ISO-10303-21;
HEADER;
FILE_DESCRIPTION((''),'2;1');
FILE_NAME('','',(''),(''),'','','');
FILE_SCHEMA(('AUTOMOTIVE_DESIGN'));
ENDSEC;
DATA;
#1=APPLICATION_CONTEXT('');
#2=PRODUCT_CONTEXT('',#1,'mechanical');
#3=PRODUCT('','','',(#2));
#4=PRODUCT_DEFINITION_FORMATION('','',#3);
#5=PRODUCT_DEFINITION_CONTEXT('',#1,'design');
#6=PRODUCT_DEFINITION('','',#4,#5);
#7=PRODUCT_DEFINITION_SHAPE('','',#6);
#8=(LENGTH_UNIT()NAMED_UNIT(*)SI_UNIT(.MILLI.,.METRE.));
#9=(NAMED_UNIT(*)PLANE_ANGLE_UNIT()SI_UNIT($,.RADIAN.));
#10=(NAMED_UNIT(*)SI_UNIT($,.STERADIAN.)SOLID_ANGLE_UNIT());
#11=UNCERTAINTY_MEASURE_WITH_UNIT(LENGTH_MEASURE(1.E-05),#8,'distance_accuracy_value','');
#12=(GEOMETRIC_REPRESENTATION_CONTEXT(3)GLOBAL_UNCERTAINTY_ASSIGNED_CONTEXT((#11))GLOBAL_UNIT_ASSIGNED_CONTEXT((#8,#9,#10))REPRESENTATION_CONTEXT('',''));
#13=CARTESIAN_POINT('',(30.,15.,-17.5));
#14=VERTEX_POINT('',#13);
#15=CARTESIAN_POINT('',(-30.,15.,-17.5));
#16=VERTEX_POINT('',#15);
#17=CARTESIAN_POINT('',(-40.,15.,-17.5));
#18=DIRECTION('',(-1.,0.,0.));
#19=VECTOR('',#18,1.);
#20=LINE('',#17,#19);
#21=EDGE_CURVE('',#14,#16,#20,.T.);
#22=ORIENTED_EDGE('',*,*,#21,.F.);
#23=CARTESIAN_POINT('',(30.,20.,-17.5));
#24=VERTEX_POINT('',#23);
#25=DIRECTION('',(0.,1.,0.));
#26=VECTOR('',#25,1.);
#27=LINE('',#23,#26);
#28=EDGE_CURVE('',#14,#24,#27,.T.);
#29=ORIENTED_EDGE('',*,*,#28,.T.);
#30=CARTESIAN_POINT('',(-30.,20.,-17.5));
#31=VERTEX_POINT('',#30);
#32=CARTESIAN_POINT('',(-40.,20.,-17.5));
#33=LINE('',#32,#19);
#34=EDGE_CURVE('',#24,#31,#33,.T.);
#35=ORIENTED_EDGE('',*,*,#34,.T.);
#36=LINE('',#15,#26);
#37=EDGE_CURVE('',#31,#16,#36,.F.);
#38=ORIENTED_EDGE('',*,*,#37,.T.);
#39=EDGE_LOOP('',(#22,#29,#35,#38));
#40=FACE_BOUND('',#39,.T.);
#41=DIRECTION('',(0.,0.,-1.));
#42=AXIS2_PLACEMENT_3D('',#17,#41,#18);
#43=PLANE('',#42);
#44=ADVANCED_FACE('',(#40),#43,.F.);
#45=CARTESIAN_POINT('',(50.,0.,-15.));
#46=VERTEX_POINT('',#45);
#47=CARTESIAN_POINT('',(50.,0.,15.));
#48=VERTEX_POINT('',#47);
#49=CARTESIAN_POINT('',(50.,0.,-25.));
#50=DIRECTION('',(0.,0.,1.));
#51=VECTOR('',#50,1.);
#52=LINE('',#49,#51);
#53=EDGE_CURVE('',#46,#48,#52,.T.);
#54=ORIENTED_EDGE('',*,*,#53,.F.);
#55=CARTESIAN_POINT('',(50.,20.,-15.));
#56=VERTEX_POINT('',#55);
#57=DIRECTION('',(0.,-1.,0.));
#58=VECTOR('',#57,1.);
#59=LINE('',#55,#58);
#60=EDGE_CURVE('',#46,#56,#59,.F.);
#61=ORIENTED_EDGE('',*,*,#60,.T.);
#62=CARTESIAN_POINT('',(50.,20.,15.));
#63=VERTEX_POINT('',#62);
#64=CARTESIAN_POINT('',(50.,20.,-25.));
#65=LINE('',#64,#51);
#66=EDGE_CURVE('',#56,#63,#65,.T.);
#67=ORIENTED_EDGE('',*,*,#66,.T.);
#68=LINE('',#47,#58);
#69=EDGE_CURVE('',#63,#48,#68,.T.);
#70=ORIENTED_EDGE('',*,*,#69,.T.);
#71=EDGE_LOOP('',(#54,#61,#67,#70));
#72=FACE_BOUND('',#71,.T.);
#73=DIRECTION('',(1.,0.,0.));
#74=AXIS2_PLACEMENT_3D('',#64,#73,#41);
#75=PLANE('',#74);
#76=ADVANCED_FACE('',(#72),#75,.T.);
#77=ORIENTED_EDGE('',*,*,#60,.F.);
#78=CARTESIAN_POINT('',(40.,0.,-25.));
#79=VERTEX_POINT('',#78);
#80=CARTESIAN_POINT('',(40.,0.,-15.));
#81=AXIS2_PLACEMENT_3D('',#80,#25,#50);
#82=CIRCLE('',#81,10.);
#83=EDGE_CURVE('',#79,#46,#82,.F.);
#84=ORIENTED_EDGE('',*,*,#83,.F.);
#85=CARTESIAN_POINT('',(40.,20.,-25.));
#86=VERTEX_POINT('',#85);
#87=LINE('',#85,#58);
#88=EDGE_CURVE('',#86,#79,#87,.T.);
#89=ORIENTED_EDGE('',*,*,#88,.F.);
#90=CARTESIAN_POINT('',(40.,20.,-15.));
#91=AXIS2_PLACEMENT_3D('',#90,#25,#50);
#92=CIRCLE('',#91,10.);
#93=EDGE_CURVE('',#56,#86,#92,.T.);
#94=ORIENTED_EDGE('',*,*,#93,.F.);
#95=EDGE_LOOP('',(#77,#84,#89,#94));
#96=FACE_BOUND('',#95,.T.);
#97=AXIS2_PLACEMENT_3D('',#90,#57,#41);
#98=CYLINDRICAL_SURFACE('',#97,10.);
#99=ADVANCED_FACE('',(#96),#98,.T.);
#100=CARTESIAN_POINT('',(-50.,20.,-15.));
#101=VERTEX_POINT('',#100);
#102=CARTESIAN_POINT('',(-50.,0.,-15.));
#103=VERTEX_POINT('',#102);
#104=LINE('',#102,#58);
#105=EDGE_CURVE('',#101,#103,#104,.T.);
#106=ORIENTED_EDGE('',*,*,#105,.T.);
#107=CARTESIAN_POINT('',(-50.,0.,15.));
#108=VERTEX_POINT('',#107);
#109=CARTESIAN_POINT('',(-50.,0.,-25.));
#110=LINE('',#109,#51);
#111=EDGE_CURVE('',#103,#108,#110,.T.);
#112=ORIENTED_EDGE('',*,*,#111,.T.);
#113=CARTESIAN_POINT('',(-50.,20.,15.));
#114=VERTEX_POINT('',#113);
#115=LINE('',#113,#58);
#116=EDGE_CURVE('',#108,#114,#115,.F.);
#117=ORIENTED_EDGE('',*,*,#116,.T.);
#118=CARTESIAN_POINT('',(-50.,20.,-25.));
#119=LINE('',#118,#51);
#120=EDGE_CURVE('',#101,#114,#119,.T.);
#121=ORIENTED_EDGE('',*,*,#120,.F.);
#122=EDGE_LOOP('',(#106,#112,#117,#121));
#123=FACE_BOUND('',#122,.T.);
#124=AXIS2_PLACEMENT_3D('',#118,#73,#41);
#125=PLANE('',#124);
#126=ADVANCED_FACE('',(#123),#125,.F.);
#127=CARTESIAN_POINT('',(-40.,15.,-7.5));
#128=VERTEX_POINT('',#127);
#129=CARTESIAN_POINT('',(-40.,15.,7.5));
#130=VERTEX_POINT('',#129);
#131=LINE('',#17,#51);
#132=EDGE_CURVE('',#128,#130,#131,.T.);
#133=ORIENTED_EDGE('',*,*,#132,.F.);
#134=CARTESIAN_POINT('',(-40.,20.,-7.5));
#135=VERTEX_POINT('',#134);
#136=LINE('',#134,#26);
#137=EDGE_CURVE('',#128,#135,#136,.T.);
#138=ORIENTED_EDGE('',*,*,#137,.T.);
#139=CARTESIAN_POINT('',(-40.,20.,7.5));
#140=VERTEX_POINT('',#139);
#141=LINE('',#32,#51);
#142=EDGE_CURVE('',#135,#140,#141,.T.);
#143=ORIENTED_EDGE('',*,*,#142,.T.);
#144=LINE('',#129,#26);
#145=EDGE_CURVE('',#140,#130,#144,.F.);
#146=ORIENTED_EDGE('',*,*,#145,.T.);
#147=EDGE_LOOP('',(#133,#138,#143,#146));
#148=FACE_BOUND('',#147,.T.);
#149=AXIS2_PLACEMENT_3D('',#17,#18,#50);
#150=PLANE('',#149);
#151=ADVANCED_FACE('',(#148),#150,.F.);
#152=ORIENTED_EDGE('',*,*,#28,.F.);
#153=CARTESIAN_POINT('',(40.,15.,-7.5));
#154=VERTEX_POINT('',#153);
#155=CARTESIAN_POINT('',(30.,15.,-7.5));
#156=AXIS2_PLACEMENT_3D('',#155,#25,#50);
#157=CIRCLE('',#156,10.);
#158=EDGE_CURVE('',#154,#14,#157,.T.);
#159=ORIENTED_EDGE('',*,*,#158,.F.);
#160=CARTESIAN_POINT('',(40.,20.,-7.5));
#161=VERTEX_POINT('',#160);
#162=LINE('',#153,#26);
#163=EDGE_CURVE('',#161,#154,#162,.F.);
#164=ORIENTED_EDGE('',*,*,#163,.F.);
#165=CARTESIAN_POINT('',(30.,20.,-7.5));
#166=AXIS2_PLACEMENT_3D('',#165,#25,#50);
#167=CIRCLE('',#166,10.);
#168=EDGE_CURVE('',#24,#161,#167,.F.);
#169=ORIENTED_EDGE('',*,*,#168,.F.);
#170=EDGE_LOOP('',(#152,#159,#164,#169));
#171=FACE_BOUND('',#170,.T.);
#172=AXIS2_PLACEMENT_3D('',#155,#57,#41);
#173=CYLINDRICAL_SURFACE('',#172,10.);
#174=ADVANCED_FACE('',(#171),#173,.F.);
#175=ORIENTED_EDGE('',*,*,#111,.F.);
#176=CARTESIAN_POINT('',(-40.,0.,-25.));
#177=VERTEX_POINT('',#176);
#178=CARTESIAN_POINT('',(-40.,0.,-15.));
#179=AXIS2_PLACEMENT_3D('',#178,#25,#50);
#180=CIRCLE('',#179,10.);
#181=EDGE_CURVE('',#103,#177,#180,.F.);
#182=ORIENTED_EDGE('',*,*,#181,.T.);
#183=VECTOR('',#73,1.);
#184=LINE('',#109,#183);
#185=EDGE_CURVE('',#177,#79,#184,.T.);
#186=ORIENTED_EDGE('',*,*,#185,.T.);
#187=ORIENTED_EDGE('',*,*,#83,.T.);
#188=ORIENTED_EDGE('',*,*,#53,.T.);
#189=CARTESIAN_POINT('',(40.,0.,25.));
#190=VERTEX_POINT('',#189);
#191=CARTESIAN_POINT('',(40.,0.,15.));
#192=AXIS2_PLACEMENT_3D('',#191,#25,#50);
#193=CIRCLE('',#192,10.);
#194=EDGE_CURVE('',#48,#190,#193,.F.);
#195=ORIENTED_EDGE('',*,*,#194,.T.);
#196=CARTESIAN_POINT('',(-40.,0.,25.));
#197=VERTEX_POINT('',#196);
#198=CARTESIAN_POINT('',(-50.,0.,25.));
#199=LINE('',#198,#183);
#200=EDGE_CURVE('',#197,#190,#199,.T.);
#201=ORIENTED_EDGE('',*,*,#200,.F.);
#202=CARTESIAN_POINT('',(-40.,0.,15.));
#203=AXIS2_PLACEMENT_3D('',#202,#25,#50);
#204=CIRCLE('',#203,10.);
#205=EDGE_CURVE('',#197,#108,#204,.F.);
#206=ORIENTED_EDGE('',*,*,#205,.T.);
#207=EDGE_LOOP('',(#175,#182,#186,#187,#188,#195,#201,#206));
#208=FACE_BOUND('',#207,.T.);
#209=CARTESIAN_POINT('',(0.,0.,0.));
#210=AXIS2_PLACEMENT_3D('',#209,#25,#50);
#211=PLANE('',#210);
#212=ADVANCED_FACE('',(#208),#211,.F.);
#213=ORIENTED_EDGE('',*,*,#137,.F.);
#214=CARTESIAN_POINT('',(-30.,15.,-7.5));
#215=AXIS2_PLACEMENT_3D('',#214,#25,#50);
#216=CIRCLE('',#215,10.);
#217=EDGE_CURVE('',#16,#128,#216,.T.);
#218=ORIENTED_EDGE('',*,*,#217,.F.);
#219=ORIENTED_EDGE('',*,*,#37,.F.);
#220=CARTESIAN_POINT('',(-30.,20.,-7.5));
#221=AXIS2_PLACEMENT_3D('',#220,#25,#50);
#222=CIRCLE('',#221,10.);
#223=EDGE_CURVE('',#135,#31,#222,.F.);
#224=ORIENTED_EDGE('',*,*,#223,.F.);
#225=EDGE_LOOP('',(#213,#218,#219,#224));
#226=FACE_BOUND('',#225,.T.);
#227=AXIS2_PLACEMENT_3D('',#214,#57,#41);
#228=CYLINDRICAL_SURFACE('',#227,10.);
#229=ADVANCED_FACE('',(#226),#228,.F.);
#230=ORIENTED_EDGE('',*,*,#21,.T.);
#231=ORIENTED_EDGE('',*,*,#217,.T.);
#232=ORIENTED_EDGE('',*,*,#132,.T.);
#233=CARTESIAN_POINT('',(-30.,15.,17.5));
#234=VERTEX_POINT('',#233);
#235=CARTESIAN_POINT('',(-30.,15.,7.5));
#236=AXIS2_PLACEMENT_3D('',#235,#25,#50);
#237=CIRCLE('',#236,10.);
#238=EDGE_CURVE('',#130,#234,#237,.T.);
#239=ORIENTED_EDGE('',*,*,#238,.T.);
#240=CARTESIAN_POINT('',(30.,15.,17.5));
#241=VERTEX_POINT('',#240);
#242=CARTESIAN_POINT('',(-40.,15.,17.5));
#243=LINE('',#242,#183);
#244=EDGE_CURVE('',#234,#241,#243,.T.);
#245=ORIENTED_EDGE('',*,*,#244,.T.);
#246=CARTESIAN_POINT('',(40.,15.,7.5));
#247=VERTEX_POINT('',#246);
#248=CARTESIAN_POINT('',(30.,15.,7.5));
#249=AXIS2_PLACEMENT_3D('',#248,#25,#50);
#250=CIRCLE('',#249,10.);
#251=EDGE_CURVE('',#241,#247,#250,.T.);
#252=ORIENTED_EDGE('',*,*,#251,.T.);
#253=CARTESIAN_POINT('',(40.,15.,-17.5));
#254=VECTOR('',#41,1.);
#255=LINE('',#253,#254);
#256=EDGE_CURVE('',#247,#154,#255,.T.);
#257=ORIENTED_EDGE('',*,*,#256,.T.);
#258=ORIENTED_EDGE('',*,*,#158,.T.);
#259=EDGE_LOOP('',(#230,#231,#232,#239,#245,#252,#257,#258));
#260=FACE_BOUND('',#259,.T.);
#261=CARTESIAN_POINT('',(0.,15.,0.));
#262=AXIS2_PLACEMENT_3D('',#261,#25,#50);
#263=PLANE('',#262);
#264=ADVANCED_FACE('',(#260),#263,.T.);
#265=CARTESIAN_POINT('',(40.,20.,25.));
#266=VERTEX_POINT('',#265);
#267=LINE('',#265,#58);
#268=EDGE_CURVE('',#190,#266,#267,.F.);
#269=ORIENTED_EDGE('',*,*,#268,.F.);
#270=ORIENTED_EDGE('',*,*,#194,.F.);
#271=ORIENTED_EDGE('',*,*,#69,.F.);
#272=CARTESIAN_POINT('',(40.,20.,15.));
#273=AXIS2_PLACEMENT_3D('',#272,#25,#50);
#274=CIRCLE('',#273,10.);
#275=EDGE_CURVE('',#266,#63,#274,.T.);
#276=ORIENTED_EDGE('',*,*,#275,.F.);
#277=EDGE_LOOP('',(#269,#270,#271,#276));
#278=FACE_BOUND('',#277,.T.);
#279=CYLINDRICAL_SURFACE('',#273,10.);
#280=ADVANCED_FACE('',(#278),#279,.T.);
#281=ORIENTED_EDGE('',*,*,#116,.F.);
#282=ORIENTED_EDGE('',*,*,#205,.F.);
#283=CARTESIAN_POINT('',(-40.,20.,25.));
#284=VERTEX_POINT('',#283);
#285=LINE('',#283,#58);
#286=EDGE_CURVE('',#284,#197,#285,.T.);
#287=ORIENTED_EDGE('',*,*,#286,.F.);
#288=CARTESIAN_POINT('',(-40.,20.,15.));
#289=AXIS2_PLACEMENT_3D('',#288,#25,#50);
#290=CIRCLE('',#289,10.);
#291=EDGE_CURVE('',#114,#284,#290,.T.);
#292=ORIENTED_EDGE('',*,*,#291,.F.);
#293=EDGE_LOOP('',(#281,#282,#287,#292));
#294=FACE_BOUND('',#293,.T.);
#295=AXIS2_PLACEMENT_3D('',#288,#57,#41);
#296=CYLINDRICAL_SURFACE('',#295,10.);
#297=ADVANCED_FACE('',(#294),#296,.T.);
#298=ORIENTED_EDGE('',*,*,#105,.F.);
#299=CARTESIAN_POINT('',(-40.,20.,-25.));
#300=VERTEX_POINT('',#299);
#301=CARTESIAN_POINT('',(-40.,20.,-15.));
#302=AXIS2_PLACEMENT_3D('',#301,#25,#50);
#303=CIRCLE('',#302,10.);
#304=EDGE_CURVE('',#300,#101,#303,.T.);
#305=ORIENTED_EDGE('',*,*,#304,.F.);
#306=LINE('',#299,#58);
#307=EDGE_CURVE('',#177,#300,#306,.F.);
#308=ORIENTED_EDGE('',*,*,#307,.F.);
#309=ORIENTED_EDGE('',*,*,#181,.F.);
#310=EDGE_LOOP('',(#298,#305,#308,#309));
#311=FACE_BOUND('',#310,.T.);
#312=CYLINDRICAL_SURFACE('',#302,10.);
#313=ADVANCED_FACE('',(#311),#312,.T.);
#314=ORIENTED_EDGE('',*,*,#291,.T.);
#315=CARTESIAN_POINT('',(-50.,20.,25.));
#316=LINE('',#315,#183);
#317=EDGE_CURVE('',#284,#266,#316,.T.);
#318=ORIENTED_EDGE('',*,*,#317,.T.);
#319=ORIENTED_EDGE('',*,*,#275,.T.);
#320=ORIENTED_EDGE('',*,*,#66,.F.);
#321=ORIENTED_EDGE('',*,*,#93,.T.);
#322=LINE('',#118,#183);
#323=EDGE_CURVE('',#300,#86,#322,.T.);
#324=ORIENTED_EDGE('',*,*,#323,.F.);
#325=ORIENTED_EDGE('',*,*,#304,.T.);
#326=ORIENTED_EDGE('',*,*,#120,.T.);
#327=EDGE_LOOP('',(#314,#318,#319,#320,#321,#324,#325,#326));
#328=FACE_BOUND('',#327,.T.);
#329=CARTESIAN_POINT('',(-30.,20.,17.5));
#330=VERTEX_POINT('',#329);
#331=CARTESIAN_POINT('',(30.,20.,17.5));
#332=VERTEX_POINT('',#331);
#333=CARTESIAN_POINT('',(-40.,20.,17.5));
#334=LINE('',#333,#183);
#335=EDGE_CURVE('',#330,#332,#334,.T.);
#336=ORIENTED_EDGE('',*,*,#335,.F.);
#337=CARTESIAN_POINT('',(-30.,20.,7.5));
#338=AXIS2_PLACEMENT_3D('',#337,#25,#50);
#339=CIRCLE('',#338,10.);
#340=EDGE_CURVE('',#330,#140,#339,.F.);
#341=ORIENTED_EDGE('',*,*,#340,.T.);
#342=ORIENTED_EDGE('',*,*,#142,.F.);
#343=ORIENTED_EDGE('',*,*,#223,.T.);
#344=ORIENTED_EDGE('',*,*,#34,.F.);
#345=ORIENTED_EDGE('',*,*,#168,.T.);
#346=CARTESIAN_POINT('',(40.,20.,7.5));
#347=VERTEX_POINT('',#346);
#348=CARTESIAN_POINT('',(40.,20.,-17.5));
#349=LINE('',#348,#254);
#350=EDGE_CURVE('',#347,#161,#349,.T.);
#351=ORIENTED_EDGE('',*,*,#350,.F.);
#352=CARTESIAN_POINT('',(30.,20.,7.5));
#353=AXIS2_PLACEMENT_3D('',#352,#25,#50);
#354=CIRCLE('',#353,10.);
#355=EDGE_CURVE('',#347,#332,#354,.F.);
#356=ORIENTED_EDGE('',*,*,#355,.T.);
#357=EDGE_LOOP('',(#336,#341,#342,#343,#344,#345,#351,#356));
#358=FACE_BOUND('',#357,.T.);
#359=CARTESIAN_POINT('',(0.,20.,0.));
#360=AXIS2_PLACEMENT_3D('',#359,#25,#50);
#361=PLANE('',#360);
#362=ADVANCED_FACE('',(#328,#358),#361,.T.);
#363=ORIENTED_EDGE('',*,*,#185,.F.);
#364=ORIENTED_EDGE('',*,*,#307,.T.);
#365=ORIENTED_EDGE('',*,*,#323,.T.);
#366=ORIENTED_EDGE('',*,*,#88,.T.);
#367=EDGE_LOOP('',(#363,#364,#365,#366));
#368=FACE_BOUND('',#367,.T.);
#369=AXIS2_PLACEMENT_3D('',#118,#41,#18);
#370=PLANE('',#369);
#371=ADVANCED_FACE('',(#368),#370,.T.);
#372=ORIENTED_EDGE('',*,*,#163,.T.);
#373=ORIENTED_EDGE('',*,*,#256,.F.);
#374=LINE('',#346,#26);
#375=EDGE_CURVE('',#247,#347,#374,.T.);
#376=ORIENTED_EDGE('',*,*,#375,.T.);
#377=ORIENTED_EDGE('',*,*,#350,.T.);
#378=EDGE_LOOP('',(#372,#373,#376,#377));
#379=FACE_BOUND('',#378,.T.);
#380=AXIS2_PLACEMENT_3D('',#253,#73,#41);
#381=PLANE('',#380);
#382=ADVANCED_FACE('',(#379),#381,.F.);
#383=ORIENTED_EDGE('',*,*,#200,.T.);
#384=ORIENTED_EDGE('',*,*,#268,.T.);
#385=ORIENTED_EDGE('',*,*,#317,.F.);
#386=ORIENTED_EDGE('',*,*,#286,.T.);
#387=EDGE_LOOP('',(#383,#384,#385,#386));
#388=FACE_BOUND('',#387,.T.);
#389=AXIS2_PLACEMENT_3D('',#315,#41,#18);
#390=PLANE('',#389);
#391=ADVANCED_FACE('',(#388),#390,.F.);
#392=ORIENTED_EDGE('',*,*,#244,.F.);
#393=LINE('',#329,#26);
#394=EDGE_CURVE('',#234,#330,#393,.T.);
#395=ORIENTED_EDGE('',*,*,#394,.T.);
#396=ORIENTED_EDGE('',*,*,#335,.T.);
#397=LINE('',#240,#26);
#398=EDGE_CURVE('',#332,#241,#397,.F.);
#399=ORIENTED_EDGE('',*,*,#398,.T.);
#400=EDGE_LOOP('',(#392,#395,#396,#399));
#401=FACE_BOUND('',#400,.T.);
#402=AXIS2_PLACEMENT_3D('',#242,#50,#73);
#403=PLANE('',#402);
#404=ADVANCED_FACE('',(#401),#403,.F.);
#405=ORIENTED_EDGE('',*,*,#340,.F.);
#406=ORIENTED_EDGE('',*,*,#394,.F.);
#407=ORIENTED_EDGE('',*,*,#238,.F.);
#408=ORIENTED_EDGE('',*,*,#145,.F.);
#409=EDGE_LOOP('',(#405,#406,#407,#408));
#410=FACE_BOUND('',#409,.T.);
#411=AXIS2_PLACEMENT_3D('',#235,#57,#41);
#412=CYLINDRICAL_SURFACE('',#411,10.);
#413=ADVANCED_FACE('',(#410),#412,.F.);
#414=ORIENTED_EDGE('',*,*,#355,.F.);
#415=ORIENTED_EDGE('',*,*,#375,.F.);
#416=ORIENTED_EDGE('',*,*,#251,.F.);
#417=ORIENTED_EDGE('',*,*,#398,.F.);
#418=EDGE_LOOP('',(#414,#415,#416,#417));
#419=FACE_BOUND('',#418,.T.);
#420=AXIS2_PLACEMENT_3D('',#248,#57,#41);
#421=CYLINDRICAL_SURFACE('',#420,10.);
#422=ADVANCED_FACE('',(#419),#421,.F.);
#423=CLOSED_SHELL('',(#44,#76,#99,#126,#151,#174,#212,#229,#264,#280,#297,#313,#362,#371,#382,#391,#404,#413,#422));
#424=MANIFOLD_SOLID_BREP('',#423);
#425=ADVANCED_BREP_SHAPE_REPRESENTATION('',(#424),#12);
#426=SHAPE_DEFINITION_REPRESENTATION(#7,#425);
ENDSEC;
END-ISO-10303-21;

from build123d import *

# Parameters (mm, degrees)
SKETCH1_W           = 100
SKETCH1_H           = 50
BOSS_EXTRUDE1_DEPTH = 20
SKETCH2_W           = 80
SKETCH2_H           = 35
CUT_EXTRUDE1_DEPTH  = 5
FILLET1_R           = 10
FILLET2_R           = 10


with BuildPart() as part:
    # Sketch1 → Boss-Extrude1 (new body)
    with BuildSketch(Plane(origin=(0, 0, 0), x_dir=(1, 0, 0), z_dir=(0, 1, 0))):
        Rectangle(SKETCH1_W, SKETCH1_H)
    extrude(amount=BOSS_EXTRUDE1_DEPTH)

    # Sketch2 → Cut-Extrude1 (cut)
    with BuildSketch(Plane(origin=(0, 20, 0), x_dir=(1, 0, 0), z_dir=(0, 1, 0))):
        Rectangle(SKETCH2_W, SKETCH2_H)
    extrude(amount=-CUT_EXTRUDE1_DEPTH, mode=Mode.SUBTRACT)

    # Fillet1
    fillet1_edges = [part.edges().sort_by_distance(p)[0] for p in [
        (-50, 10, -25),
        (50, 10, -25),
        (50, 10, 25),
        (-50, 10, 25),
    ]]
    fillet(fillet1_edges, radius=FILLET1_R)

    # Fillet2
    fillet2_edges = [part.edges().sort_by_distance(p)[0] for p in [
        (-40, 17.5, 17.5),
        (-40, 17.5, -17.5),
        (40, 17.5, -17.5),
        (40, 17.5, 17.5),
    ]]
    fillet(fillet2_edges, radius=FILLET2_R)


solid = part.part
